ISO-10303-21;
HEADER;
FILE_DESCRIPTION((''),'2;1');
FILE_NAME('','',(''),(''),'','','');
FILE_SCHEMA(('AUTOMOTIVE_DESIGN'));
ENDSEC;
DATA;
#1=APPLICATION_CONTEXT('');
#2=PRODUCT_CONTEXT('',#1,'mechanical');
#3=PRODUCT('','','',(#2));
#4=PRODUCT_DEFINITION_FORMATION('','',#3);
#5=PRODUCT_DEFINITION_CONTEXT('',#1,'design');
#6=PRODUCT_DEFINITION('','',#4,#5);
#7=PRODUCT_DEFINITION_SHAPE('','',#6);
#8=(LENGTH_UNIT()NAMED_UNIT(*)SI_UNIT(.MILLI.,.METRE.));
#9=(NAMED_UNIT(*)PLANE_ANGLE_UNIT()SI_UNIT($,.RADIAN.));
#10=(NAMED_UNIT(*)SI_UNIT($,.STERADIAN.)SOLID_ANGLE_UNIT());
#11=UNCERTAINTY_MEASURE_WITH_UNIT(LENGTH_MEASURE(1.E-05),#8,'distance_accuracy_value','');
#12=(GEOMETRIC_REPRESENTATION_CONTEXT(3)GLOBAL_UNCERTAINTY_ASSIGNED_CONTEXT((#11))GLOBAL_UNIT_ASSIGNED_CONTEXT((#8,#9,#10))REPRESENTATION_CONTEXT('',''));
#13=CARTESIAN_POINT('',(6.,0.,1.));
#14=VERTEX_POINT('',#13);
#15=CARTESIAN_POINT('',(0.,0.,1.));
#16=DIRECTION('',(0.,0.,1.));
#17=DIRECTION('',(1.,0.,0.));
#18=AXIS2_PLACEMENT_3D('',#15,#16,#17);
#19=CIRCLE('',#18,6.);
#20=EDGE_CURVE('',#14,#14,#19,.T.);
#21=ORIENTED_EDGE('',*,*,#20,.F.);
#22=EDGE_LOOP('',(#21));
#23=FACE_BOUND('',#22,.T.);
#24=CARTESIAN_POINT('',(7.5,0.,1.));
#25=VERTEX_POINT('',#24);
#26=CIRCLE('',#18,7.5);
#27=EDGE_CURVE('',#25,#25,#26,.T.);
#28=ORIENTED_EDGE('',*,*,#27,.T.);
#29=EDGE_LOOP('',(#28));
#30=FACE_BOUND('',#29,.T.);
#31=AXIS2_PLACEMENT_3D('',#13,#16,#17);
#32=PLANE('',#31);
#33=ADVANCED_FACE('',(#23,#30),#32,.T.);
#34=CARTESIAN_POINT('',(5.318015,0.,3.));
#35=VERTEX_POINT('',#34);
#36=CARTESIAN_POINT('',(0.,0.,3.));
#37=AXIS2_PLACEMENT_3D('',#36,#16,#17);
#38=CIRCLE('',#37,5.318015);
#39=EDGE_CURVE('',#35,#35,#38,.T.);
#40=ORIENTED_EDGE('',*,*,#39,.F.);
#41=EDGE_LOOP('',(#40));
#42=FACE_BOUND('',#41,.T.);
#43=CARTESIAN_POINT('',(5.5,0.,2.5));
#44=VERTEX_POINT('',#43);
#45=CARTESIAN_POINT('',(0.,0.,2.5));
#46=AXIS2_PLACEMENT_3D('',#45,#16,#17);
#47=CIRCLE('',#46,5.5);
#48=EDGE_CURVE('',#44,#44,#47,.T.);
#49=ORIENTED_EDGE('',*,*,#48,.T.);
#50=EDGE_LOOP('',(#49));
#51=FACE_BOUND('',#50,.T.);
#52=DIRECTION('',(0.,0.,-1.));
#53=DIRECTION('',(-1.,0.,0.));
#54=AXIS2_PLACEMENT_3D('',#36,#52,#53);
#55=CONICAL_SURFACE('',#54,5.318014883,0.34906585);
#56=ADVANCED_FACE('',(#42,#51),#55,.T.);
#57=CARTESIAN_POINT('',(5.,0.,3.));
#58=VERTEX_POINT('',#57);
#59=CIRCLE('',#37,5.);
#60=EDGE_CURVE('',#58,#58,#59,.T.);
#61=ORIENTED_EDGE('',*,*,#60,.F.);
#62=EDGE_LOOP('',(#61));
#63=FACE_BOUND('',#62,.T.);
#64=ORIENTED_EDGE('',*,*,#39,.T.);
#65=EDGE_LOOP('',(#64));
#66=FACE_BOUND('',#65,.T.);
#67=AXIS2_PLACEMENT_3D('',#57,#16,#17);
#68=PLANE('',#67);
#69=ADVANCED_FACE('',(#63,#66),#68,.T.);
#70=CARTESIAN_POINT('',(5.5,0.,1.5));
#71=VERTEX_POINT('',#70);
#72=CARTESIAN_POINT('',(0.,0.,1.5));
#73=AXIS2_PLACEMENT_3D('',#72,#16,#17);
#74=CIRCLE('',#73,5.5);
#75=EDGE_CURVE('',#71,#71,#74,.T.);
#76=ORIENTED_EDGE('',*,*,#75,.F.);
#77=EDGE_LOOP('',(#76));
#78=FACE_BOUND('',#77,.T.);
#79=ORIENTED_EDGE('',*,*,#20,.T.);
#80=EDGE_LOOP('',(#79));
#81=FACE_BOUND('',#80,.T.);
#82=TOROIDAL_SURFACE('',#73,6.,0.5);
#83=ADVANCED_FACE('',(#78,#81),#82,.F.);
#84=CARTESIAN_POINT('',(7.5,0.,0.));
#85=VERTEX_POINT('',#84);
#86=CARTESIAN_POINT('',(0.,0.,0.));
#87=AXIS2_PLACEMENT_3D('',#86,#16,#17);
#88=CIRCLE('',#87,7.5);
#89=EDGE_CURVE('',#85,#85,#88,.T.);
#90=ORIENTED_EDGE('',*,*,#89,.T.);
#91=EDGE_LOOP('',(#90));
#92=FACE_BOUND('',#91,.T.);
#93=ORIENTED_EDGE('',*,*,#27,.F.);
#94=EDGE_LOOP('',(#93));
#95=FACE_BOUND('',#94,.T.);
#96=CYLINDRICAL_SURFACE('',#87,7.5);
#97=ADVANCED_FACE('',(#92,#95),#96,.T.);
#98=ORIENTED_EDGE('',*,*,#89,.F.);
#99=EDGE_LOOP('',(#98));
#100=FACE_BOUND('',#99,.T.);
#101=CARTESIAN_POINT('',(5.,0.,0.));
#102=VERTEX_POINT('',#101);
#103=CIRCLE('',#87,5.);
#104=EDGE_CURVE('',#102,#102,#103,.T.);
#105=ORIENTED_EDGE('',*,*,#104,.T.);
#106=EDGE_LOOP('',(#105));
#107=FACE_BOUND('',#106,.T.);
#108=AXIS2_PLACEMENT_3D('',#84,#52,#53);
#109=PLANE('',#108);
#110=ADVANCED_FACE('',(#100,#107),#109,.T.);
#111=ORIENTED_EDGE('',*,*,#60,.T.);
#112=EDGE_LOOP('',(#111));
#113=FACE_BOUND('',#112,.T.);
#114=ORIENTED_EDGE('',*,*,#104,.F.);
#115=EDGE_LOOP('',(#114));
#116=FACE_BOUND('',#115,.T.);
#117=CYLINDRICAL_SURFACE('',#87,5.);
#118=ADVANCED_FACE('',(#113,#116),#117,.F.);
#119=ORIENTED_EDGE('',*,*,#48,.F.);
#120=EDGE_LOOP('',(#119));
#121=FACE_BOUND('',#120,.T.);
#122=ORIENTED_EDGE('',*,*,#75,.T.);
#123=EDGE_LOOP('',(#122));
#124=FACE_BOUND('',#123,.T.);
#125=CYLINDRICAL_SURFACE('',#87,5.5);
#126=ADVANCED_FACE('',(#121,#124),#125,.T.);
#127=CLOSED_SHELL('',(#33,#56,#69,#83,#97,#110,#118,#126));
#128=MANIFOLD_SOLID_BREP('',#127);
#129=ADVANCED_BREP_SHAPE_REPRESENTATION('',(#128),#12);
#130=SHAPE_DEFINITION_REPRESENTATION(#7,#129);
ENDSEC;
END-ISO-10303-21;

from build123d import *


with BuildPart() as part:
    # Sketch1 → Revolve1 (revolve)
    with BuildSketch(Plane(origin=(0, 0, 0), x_dir=(1, 0, 0), z_dir=(0, 1, 0))):
        with BuildLine():
            Line((5.5, -2.5), (5.5, -1.5))
            ThreePointArc((5.5, -1.5), (5.646446609, -1.146446609), (6, -1))
            Line((6, -1), (7.5, -1))
            Line((7.5, -1), (7.5, 0))
            Line((7.5, 0), (5, 0))
            Line((5, 0), (5, -3))
            Line((5, -3), (5.318014883, -3))
            Line((5.318014883, -3), (5.5, -2.5))
        make_face()
    revolve(axis=Axis((0, 0, 0), (0, 0, 1)))


solid = part.part
